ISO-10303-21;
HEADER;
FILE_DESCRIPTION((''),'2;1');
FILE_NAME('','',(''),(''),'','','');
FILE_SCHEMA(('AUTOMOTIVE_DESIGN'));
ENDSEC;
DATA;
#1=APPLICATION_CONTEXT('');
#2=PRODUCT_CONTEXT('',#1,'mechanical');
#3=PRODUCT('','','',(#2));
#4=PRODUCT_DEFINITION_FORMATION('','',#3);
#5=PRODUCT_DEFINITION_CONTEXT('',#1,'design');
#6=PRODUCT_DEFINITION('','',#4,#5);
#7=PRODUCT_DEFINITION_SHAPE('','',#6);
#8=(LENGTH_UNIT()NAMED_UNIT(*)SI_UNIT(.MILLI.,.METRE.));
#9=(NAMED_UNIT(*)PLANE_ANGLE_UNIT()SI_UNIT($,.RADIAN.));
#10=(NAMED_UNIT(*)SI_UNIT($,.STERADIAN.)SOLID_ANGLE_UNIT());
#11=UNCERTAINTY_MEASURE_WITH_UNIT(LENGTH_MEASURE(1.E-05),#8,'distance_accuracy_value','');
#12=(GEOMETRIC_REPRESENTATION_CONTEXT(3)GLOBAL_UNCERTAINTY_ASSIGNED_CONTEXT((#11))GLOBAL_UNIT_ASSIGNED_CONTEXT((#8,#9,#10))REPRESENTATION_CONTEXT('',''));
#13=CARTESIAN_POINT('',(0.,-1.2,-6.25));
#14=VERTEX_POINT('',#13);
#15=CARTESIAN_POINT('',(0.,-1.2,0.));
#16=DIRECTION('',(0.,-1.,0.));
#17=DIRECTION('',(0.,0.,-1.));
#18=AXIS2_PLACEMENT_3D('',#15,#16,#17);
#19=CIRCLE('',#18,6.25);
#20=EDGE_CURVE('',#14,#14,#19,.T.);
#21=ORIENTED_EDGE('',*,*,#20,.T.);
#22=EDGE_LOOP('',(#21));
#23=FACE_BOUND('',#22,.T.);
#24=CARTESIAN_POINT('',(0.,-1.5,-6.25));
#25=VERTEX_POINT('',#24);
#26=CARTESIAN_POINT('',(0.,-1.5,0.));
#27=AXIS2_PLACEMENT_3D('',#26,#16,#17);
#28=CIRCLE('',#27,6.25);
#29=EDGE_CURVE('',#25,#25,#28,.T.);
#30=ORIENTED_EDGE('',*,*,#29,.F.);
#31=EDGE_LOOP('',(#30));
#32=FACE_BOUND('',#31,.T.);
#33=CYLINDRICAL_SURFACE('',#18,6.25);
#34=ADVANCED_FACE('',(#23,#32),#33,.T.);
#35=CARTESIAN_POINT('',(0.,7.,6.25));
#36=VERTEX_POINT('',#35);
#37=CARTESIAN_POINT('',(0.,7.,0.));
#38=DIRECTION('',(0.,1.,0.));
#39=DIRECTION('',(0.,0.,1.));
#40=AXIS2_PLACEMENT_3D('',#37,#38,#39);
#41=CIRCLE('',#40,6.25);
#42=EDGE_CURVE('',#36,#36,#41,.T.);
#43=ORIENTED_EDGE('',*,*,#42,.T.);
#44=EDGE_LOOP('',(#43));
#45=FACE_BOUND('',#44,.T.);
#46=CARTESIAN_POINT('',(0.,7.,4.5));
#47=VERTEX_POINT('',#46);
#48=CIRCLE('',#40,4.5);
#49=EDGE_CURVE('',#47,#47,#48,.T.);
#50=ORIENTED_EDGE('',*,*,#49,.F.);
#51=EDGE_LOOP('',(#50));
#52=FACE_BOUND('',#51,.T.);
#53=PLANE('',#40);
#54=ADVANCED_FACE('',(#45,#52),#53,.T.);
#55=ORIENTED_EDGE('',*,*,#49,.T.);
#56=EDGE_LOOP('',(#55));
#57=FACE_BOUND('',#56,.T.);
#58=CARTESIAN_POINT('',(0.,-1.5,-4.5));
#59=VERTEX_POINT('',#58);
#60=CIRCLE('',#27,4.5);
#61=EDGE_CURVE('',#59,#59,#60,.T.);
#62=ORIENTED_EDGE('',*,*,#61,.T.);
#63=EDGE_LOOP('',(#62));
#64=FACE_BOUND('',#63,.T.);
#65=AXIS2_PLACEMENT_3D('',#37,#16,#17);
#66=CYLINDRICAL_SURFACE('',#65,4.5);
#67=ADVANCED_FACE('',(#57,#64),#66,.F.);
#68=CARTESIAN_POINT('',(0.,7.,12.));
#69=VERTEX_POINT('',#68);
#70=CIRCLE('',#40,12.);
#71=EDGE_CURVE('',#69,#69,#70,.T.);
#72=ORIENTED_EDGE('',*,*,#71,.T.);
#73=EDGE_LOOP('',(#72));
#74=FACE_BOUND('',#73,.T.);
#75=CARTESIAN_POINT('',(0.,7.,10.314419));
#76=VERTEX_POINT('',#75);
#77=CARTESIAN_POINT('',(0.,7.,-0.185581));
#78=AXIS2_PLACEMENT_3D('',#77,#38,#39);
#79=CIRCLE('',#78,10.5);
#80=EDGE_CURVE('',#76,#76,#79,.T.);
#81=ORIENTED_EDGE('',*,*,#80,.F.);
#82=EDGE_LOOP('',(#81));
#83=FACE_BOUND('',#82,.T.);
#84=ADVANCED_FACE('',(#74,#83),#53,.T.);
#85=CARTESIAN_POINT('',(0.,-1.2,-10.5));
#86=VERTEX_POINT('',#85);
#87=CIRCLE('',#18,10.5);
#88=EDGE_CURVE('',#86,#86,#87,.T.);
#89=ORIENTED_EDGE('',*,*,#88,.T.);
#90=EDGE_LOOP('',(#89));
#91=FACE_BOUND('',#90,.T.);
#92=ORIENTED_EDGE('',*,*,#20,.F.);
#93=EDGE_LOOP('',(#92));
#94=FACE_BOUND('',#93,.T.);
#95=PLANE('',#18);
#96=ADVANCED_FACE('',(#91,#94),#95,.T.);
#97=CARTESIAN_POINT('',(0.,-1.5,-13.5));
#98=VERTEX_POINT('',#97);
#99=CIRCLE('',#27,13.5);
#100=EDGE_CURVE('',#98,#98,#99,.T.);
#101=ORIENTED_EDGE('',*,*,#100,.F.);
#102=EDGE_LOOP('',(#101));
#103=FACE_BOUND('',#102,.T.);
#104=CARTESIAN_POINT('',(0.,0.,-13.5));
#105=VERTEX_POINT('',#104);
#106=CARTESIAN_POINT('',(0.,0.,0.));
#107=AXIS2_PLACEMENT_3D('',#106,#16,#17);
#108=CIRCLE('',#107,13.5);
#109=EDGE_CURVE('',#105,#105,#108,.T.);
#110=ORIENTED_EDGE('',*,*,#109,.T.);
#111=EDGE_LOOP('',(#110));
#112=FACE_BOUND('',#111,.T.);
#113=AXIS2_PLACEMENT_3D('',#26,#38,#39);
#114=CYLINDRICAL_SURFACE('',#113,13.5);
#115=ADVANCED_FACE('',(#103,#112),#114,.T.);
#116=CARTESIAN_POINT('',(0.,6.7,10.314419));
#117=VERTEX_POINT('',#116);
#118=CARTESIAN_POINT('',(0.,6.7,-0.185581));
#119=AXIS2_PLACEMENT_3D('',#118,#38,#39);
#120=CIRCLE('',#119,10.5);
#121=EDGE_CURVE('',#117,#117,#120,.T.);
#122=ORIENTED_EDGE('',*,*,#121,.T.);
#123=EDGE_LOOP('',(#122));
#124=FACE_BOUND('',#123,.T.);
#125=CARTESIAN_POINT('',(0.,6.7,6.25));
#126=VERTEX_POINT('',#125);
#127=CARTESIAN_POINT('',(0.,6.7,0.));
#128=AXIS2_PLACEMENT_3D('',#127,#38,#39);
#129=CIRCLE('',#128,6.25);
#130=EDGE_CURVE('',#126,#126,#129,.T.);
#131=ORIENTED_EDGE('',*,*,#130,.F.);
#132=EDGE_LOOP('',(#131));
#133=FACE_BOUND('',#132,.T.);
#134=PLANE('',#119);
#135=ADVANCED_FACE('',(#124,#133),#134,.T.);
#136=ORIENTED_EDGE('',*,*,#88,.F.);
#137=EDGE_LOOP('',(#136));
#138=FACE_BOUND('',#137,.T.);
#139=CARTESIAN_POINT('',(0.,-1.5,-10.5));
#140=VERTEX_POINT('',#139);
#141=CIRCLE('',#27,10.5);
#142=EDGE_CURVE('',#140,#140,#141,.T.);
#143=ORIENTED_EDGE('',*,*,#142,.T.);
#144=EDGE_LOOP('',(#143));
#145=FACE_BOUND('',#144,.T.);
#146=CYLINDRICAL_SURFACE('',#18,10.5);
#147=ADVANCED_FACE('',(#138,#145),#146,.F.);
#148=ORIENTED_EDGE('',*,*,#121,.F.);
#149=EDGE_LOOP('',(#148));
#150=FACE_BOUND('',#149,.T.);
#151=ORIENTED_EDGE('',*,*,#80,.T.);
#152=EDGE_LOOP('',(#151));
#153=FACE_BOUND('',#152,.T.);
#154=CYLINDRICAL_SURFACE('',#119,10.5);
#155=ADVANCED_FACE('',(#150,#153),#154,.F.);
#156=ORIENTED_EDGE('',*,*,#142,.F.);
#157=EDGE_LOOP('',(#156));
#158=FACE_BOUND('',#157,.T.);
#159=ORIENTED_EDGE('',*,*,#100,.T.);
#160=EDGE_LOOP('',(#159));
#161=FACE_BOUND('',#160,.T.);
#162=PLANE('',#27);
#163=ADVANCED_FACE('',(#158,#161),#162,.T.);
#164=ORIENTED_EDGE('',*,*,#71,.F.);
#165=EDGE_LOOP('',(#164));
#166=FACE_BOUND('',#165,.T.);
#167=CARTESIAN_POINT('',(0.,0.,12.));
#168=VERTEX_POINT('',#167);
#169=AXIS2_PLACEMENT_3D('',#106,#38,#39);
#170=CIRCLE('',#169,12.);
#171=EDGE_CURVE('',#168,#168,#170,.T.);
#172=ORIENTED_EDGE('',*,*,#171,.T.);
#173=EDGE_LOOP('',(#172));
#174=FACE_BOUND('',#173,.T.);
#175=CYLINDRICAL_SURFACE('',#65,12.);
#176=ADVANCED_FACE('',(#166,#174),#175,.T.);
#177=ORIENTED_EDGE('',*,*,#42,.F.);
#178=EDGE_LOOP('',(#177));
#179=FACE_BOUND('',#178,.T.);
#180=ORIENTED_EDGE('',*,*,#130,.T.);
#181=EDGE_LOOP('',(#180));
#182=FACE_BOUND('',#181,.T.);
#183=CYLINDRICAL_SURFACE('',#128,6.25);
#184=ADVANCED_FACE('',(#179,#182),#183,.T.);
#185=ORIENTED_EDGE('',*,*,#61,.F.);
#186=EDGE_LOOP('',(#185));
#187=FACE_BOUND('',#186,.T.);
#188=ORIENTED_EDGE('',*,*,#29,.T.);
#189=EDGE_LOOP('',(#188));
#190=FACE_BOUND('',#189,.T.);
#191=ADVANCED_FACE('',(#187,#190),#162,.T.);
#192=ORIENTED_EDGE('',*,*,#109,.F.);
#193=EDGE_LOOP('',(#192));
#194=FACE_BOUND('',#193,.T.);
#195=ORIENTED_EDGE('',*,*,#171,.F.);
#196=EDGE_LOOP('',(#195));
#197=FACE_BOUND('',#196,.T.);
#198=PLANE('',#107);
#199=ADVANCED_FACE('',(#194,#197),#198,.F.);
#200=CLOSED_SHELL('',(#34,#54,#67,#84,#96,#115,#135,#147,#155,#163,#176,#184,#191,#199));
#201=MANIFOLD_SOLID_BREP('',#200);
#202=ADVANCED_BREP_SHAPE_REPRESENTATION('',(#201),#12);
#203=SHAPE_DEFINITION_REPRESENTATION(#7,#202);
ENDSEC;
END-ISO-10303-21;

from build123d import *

# Parameters (mm, degrees)
SKETCH_1_R          = 12
SKETCH_1_R_2        = 4.5
EXTRUDE_1_DEPTH     = 7
SKETCH_2_R          = 13.5
SKETCH_2_R_2        = 4.5
EXTRUDE_2_DEPTH     = 1.5
SKETCH_3_R          = 10.5
SKETCH_3_R_2        = 6.25
CUT_EXTRUDE_1_DEPTH = 0.3
SKETCH_4_R          = 10.5
SKETCH_4_R_2        = 6.25
CUT_EXTRUDE_2_DEPTH = 0.3


with BuildPart() as part:
    # 草图1 → 凸台-拉伸1 (new body)
    with BuildSketch(Plane(origin=(0, 0, 0), x_dir=(1, 0, 0), z_dir=(0, 1, 0))):
        Circle(SKETCH_1_R)
        Circle(SKETCH_1_R_2, mode=Mode.SUBTRACT)
    extrude(amount=EXTRUDE_1_DEPTH)

    # 草图2 → 凸台-拉伸2 (add)
    with BuildSketch(Plane.XZ):
        Circle(SKETCH_2_R)
        Circle(SKETCH_2_R_2, mode=Mode.SUBTRACT)
    extrude(amount=EXTRUDE_2_DEPTH)

    # 草图3 → 切除-拉伸1 (cut)
    with BuildSketch(Plane(origin=(0, 7, 0), x_dir=(1, 0, 0), z_dir=(0, 1, 0))):
        with Locations((0, 0.185580925)):
            Circle(SKETCH_3_R)
        Circle(SKETCH_3_R_2, mode=Mode.SUBTRACT)
    extrude(amount=-CUT_EXTRUDE_1_DEPTH, mode=Mode.SUBTRACT)

    # 草图4 → 切除-拉伸2 (cut)
    with BuildSketch(Plane.XZ.offset(1.5)):
        Circle(SKETCH_4_R)
        Circle(SKETCH_4_R_2, mode=Mode.SUBTRACT)
    extrude(amount=-CUT_EXTRUDE_2_DEPTH, mode=Mode.SUBTRACT)


solid = part.part
